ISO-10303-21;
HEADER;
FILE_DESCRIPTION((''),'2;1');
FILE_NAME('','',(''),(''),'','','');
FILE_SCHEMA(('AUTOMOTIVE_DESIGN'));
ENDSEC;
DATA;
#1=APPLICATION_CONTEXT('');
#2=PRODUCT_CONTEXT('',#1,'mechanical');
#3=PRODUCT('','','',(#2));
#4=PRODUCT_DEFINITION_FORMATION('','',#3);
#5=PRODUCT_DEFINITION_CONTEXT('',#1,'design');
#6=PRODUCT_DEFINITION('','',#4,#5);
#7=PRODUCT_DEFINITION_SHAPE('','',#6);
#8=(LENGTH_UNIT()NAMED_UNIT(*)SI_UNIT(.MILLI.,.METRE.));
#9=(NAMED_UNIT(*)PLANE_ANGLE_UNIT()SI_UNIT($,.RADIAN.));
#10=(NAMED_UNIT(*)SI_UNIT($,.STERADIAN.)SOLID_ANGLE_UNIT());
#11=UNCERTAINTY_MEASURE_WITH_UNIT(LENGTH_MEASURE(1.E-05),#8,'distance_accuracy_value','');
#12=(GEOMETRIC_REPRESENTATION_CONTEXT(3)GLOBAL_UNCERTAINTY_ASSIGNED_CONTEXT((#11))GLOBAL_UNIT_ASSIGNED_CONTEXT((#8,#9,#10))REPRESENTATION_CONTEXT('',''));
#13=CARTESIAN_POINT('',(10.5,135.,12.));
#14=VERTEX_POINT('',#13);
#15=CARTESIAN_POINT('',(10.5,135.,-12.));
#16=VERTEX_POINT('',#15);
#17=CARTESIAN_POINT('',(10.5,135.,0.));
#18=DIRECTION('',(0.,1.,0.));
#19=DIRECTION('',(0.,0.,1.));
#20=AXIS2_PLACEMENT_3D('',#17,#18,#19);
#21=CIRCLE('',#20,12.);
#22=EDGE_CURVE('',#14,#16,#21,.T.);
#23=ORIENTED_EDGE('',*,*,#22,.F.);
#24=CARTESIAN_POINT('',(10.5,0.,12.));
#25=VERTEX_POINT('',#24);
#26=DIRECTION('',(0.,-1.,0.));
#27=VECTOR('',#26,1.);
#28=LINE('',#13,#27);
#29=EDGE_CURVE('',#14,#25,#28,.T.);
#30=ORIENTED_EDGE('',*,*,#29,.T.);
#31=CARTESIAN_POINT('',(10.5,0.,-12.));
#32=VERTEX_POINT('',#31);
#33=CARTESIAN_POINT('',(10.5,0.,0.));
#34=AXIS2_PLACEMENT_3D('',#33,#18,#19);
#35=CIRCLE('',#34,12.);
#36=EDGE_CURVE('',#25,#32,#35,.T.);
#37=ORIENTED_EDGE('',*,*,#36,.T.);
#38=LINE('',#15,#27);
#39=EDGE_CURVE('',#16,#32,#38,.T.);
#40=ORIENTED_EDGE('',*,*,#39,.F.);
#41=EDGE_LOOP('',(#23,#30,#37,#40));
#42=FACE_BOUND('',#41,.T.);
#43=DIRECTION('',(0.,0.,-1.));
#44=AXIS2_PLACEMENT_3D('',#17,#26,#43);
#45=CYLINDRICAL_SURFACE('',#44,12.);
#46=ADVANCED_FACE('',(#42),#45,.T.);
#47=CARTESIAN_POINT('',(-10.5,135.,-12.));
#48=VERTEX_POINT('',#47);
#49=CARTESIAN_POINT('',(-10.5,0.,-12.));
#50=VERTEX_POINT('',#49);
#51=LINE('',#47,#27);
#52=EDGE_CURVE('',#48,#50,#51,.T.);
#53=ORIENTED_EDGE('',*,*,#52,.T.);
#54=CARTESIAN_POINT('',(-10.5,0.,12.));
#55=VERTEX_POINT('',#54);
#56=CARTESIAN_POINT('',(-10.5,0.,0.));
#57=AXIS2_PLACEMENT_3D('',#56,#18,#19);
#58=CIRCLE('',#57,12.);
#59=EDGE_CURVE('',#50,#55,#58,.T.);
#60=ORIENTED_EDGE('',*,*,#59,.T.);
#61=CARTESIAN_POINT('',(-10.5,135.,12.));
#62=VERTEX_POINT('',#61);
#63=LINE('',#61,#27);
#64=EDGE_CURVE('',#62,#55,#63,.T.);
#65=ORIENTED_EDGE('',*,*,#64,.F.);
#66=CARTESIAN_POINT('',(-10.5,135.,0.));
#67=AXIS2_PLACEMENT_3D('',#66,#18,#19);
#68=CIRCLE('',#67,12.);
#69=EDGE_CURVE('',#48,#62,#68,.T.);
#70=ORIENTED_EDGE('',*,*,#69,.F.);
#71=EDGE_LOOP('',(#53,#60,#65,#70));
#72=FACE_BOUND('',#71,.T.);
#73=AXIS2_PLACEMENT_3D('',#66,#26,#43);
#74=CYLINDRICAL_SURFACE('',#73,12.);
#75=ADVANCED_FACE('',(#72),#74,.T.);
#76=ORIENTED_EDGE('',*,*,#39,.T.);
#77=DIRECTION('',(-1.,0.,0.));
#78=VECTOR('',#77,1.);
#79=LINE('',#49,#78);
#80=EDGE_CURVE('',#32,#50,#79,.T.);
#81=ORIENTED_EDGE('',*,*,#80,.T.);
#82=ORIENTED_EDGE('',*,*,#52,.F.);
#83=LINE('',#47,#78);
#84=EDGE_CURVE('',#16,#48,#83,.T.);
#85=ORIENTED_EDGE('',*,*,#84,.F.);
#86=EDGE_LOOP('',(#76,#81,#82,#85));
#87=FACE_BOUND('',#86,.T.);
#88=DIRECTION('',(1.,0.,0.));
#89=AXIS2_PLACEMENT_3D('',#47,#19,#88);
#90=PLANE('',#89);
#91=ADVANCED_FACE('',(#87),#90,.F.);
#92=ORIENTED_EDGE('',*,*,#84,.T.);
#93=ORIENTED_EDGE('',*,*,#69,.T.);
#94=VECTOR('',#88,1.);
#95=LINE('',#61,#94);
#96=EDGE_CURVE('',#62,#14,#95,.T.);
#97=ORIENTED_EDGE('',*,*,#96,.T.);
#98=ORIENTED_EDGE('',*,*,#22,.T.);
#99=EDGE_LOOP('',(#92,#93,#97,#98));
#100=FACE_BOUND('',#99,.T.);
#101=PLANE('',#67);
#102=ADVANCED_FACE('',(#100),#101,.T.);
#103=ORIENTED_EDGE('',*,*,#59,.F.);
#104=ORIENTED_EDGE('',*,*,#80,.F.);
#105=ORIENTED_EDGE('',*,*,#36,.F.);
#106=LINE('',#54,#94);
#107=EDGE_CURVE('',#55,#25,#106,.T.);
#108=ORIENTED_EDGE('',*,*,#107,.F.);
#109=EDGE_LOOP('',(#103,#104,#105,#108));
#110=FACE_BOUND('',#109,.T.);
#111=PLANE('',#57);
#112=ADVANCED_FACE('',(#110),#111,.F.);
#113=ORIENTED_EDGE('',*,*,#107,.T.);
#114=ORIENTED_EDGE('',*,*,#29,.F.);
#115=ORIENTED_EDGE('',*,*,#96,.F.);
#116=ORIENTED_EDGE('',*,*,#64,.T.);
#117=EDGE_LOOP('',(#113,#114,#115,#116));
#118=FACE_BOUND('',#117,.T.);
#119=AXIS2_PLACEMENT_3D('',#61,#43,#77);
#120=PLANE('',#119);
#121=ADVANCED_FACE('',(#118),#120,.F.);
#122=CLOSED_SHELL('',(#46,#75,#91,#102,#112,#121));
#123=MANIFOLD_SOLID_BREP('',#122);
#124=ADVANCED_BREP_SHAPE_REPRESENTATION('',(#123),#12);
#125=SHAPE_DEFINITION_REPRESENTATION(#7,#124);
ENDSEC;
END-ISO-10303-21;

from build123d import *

# Parameters (mm, degrees)
BOSS_EXTRUDE1_DEPTH = 135


with BuildPart() as part:
    # Sketch1 → Boss-Extrude1 (new body)
    with BuildSketch(Plane(origin=(0, 0, 0), x_dir=(1, 0, 0), z_dir=(0, 1, 0))):
        with BuildLine():
            Line((-10.5, 12), (10.5, 12))
            ThreePointArc((10.5, 12), (22.5, 0), (10.5, -12))
            Line((10.5, -12), (-10.5, -12))
            ThreePointArc((-10.5, -12), (-22.5, 0), (-10.5, 12))
        make_face()
    extrude(amount=BOSS_EXTRUDE1_DEPTH)


solid = part.part
